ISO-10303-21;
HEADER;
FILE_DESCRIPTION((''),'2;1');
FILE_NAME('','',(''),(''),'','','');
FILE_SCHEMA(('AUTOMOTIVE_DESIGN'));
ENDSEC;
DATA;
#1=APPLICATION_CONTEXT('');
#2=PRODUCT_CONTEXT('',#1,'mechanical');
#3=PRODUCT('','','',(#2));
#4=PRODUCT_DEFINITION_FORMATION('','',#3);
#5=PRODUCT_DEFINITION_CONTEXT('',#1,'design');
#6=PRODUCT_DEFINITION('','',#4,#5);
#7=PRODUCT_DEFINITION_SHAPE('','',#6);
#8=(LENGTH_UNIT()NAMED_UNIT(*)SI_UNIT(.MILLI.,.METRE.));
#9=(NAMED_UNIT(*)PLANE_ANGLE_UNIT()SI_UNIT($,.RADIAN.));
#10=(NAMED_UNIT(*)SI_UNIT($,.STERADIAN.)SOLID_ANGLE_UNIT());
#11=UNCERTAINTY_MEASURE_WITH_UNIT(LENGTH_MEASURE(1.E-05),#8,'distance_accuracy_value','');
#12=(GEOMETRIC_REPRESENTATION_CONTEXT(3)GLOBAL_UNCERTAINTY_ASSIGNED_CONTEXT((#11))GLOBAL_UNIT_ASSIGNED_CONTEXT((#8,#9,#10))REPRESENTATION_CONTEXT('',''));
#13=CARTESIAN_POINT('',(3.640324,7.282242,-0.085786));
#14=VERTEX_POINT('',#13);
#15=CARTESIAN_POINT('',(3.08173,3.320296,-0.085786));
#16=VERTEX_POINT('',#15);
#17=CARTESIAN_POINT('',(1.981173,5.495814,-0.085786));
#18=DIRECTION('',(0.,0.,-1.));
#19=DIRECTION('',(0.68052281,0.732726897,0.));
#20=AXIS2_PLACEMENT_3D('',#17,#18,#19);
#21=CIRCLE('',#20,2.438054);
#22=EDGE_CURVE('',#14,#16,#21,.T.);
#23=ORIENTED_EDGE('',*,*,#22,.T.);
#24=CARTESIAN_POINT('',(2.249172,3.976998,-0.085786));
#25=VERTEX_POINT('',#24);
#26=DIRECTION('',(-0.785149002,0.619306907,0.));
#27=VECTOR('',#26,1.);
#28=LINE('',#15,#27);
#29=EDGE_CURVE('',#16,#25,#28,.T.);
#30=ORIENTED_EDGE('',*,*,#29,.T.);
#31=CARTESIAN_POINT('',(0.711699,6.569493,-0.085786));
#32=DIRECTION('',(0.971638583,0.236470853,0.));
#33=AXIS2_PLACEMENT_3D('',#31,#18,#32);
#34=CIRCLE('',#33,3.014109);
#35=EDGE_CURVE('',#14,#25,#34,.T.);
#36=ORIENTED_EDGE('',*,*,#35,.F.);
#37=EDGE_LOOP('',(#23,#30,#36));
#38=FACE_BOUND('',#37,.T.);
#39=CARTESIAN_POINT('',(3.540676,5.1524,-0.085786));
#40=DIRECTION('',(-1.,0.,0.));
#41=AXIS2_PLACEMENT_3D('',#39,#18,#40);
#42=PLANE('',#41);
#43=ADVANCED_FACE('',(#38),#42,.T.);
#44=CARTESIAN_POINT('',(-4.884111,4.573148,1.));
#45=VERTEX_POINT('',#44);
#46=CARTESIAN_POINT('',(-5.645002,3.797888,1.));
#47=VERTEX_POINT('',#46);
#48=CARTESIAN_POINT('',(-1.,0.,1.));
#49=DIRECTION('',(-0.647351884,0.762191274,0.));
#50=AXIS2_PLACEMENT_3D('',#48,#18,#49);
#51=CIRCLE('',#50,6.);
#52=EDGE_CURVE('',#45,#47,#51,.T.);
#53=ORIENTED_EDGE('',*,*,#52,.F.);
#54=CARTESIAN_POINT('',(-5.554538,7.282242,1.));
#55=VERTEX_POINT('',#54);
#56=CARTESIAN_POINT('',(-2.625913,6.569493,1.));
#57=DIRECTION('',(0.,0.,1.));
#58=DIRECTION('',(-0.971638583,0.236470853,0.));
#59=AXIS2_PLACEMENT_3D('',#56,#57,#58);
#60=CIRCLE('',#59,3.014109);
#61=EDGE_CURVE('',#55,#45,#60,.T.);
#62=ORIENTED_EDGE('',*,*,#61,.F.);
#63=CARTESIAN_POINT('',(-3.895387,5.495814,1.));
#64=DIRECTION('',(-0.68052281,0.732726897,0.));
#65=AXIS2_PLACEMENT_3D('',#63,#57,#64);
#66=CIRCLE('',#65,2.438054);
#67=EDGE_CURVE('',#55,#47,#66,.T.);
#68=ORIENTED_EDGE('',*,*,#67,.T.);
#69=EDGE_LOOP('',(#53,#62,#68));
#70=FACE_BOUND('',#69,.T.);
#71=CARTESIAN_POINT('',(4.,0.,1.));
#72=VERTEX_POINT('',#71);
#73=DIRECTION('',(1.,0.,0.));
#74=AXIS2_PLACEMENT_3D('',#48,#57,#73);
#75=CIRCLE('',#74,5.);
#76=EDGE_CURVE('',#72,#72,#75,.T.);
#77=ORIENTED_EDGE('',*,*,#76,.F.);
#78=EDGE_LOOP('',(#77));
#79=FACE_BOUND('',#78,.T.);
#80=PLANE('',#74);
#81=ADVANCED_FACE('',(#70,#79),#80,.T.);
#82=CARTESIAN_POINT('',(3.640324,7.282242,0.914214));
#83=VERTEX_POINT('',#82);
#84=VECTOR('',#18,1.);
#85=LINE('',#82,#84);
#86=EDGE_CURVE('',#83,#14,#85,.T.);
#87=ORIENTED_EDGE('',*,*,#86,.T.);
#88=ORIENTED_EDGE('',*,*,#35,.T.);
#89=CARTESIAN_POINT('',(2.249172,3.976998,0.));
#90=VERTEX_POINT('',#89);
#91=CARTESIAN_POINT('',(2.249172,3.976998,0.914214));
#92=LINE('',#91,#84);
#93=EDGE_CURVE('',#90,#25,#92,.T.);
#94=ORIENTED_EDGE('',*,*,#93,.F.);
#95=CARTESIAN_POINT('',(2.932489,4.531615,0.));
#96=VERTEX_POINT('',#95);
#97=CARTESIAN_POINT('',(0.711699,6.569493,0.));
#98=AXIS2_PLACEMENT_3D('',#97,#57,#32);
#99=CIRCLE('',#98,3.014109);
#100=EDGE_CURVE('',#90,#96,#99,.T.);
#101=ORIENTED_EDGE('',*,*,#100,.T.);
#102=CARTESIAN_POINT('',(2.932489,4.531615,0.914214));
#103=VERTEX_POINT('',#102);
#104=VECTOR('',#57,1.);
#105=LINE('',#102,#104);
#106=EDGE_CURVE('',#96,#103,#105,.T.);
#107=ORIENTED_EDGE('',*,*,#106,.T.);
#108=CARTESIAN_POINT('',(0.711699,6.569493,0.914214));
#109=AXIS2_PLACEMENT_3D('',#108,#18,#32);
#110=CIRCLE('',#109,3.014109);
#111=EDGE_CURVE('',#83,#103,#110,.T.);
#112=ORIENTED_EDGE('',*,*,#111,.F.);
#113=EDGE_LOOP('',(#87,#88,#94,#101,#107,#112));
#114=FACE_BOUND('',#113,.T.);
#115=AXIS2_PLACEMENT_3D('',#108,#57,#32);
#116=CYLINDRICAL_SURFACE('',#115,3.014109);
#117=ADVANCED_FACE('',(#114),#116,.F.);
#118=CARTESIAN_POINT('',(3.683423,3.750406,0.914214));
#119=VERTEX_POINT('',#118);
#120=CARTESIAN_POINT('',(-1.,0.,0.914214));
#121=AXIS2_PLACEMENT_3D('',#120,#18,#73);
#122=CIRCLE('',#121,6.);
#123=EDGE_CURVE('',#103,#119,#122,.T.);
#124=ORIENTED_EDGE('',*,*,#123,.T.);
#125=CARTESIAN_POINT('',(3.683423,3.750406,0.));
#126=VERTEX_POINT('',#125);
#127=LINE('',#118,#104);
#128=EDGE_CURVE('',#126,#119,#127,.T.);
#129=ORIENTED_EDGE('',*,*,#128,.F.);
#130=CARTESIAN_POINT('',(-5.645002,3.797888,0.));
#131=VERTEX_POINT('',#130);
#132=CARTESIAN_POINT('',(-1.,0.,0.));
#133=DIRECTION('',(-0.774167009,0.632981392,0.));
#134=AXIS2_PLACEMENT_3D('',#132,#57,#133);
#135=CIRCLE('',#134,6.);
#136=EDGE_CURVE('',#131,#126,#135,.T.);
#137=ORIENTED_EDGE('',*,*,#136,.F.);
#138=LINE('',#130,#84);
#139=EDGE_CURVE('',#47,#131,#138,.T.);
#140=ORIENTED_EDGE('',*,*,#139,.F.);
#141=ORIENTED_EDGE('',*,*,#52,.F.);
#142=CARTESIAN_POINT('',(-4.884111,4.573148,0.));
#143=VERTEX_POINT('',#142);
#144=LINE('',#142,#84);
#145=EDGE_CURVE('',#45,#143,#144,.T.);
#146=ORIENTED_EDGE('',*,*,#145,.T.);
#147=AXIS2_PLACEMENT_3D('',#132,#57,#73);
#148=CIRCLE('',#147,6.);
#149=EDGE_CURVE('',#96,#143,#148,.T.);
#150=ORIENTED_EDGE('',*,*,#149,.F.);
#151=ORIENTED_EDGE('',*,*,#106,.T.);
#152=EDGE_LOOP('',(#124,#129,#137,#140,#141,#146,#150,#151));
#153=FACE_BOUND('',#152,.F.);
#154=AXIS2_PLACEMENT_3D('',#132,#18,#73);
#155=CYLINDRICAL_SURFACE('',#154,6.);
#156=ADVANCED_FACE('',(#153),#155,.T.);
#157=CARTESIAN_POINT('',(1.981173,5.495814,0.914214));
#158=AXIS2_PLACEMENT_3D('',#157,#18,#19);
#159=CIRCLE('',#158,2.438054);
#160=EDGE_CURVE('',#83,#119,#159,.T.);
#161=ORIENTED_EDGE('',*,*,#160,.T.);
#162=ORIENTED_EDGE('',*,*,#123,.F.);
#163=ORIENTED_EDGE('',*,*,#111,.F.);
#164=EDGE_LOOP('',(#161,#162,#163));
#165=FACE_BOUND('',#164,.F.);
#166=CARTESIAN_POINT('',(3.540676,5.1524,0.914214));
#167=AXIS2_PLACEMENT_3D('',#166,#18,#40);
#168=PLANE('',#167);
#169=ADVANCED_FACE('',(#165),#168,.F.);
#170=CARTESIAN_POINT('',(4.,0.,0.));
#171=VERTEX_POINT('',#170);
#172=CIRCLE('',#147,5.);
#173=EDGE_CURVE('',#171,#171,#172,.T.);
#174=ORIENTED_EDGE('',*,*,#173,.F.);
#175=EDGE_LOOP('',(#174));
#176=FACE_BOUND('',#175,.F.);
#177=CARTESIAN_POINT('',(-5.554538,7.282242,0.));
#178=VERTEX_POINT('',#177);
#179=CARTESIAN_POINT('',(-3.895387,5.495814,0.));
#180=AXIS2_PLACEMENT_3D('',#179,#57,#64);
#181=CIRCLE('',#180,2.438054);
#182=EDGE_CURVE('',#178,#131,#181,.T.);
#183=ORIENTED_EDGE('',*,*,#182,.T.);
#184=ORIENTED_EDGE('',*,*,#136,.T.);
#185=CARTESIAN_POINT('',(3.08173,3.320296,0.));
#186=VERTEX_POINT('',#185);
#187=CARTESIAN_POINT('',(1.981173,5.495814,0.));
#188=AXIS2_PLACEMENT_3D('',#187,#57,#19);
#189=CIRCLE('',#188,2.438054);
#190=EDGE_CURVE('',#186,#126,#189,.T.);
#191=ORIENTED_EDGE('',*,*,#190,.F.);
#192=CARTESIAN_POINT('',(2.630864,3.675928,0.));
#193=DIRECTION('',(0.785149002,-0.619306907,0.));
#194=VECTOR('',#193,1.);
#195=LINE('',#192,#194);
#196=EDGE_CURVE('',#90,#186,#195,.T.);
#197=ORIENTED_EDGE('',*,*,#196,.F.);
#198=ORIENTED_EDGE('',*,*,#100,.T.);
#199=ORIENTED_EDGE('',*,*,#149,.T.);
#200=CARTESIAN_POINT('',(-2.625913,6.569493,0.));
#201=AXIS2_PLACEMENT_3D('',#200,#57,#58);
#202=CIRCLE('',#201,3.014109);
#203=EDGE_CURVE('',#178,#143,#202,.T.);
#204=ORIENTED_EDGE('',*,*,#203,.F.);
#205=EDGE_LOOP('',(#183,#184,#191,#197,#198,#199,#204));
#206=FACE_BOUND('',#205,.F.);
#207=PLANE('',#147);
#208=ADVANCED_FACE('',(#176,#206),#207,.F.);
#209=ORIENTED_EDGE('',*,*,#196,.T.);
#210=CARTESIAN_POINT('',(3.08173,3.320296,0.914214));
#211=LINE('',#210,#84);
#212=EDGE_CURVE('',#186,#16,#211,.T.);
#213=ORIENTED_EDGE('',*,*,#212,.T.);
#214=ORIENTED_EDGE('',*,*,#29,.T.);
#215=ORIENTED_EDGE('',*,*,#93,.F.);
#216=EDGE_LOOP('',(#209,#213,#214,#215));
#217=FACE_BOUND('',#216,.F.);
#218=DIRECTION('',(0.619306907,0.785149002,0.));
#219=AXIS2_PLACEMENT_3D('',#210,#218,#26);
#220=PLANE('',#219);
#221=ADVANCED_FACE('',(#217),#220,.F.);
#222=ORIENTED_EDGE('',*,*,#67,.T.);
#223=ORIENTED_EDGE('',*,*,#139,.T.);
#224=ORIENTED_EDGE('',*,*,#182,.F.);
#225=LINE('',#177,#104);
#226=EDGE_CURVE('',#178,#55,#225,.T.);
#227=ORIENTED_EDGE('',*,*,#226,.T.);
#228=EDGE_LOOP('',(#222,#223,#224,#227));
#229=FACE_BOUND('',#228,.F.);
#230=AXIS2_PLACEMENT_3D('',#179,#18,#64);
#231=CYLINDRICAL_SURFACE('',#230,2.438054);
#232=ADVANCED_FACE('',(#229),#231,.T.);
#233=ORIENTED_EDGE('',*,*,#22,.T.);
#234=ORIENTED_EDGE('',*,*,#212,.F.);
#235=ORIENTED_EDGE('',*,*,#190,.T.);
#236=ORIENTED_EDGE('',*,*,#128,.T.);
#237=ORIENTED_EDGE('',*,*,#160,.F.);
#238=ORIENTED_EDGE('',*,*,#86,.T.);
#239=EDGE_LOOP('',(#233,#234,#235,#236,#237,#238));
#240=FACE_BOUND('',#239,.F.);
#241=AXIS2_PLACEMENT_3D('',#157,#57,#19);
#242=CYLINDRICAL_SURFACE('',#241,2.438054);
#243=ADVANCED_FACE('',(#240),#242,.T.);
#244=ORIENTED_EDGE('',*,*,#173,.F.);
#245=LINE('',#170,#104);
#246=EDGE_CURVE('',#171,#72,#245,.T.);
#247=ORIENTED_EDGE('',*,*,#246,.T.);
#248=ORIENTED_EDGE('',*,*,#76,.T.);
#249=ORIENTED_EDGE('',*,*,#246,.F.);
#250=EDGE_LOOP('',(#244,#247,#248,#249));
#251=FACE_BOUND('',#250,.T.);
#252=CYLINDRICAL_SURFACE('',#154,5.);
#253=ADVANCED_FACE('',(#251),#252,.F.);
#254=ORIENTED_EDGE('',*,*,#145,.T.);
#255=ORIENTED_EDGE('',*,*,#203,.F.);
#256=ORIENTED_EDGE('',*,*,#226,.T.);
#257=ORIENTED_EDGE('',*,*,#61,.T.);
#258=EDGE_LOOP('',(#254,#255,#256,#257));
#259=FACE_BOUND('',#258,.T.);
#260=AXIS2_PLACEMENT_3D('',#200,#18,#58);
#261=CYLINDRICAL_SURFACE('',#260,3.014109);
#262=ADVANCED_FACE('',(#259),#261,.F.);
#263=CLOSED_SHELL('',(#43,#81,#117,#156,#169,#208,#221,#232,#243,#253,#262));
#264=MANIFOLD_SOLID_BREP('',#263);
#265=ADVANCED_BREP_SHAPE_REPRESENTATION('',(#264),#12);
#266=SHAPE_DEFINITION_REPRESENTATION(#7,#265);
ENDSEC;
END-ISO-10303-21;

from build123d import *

# Parameters (mm, degrees)
EXTRUDE001_DEPTH           = 1
EXTRUDE_DEPTH              = 1
TUBE_R                     = 6
TUBE_R_2                   = 5
TUBE_DEPTH                 = 1
EXTRUDE002_DEPTH           = 1
EXTRUDE002_PLACEMENT_ANGLE = 180


with BuildPart() as extrude001:
    # Sketch → Extrude001 (new body)
    with BuildSketch(Plane.XY):
        with BuildLine():
            ThreePointArc((-5.554538, 7.282242), (-6.309564, 5.15544), (-4.995944, 3.320296))
            Line((-4.995944, 3.320296), (-4.163386, 3.976998))
            ThreePointArc((-5.554538, 7.282242), (-5.403982, 5.400225), (-4.163386, 3.976998))
        make_face()
    extrude(amount=EXTRUDE001_DEPTH)


with BuildPart() as extrude_body:
    # Sketch → Extrude (new body)
    with BuildSketch(Plane.XY):
        with BuildLine():
            ThreePointArc((-5.554538, 7.282242), (-6.309564, 5.15544), (-4.995944, 3.320296))
            Line((-4.995944, 3.320296), (-4.163386, 3.976998))
            ThreePointArc((-5.554538, 7.282242), (-5.403982, 5.400225), (-4.163386, 3.976998))
        make_face()
    extrude(amount=EXTRUDE_DEPTH)


with BuildPart() as tube:
    # Tube → Tube (new body)
    with BuildSketch(Plane(origin=(-1, 0, 0), x_dir=(1, 0, 0), z_dir=(0, 0, 1))):
        Circle(TUBE_R)
        Circle(TUBE_R_2, mode=Mode.SUBTRACT)
    extrude(amount=TUBE_DEPTH)


with BuildPart() as fusion:
    # Sketch001 → Extrude002 (new body)
    with BuildSketch(Plane.XY):
        with BuildLine():
            ThreePointArc((-5.554538, 7.282242), (-6.309564, 5.15544), (-4.995944, 3.320296))
            Line((-4.995944, 3.320296), (-4.163386, 3.976998))
            ThreePointArc((-5.554538, 7.282242), (-5.403982, 5.400225), (-4.163386, 3.976998))
        make_face()
    extrude(amount=EXTRUDE002_DEPTH)


with BuildPart() as fusion_1:
    # Extrude002 placement: moved
    add(fusion.part.moved(Location((-1.914214, 0, 0.914214))).rotate(Axis((-1.914214, 0, 0.914214), (0, 1, 0)), EXTRUDE002_PLACEMENT_ANGLE))

    # Fusion: union Extrude001, Extrude body, Tube
    add(extrude001.part)
    add(extrude_body.part)
    add(tube.part)


solid = fusion_1.part
